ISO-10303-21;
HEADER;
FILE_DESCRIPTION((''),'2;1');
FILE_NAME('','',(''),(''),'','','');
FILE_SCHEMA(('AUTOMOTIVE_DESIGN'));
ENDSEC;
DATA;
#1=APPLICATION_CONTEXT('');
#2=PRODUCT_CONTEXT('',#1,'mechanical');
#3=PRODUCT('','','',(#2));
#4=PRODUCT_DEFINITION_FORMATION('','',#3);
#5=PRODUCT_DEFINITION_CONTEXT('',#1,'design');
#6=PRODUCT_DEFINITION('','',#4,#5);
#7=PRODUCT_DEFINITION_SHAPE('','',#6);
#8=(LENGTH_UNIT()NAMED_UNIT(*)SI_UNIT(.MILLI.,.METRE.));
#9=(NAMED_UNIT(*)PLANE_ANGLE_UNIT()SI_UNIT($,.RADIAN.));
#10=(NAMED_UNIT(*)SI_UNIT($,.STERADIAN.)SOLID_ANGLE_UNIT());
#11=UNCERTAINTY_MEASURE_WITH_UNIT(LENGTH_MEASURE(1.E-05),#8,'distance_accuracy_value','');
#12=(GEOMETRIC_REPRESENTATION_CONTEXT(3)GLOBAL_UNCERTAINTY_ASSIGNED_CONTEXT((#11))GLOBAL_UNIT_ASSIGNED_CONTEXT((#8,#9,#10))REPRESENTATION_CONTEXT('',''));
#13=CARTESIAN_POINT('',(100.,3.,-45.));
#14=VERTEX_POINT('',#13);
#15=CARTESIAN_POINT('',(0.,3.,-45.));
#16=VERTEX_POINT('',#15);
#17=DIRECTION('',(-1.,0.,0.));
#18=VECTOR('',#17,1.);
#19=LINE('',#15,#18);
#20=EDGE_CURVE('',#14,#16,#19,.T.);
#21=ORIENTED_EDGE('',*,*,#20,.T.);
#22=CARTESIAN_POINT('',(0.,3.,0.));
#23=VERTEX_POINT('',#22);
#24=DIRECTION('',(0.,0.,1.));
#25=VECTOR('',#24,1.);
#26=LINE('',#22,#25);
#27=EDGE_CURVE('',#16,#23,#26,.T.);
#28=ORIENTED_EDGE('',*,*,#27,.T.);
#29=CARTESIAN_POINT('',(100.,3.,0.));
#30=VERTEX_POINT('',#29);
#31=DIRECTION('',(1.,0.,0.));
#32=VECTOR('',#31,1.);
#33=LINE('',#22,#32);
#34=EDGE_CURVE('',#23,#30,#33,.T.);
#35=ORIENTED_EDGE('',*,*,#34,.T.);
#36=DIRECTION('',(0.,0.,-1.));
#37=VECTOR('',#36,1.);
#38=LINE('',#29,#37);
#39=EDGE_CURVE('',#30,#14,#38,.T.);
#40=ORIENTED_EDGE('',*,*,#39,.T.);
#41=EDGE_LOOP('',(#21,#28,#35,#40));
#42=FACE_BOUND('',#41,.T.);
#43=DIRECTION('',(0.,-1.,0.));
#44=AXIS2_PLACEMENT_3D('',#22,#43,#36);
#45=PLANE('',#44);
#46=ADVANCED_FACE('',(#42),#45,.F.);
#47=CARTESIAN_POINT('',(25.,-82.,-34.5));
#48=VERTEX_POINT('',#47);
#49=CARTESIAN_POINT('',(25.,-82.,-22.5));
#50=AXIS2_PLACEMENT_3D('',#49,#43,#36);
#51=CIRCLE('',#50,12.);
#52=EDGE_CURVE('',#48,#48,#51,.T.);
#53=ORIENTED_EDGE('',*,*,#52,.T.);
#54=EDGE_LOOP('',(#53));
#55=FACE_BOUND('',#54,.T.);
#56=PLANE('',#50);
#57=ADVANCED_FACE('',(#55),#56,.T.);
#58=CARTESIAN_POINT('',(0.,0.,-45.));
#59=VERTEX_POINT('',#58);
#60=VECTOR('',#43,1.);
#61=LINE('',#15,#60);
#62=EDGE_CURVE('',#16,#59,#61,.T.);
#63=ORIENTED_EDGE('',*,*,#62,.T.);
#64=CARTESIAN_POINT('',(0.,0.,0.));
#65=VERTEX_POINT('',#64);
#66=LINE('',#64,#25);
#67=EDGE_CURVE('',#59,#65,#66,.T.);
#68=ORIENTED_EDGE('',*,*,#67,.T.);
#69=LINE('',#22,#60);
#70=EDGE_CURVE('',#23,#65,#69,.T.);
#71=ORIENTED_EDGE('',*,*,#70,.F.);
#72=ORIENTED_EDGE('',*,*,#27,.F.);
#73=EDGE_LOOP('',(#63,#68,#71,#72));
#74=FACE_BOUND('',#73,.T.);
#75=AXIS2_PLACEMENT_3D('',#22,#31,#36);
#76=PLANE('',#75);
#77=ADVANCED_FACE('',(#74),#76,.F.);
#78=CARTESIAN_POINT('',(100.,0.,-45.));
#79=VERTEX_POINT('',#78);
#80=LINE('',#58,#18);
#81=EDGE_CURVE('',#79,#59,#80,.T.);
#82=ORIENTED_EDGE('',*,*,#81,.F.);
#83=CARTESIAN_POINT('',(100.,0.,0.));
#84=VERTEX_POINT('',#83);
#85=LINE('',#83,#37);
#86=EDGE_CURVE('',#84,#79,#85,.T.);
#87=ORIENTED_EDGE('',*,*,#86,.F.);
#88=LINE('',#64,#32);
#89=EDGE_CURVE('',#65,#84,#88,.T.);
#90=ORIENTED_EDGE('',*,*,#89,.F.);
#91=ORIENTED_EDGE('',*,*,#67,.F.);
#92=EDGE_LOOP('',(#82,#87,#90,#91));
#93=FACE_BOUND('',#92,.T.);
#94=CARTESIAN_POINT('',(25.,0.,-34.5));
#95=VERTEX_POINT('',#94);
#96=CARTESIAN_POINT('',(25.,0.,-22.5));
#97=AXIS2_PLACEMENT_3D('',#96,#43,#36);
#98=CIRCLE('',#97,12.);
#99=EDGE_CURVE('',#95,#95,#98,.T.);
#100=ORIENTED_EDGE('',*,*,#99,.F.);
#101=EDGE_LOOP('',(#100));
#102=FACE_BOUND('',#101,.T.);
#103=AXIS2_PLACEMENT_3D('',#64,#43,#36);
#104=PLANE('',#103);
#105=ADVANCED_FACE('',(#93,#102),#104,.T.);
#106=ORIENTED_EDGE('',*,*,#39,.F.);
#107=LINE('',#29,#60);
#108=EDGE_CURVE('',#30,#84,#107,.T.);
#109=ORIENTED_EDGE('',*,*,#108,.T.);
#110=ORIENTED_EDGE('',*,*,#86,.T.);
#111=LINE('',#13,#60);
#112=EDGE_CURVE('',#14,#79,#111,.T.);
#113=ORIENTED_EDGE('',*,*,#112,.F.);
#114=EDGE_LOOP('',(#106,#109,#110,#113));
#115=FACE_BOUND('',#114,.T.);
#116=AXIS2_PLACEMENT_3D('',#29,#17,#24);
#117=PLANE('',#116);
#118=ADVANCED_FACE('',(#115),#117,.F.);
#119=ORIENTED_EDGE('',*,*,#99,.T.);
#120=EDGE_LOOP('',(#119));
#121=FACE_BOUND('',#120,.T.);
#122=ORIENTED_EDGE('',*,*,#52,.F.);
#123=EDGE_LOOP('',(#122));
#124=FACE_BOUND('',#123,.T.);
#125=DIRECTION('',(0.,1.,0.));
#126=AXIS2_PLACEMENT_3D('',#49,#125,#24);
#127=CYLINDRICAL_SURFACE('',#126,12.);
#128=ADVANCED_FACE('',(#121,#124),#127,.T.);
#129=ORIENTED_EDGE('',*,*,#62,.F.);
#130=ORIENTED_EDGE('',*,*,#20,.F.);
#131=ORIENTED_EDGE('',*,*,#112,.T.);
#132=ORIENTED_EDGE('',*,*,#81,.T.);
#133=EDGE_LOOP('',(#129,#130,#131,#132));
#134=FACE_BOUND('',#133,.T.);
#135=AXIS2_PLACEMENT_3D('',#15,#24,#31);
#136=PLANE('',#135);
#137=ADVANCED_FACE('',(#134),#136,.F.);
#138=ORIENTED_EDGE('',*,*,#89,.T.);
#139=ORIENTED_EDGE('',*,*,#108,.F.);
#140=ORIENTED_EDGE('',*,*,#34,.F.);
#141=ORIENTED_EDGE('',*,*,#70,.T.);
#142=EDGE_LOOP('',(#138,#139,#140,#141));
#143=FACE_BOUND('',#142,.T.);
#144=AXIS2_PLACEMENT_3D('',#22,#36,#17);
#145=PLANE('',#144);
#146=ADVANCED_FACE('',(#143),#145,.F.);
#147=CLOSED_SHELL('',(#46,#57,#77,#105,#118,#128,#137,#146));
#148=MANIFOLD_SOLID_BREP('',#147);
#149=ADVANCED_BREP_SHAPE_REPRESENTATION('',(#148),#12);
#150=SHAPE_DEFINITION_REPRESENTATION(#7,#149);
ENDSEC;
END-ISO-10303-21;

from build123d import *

# Parameters (mm, degrees)
SKETCH_1_W      = 100
SKETCH_1_H      = 45
EXTRUDE_1_DEPTH = 3
SKETCH_2_R      = 12
EXTRUDE_2_DEPTH = 82


with BuildPart() as part:
    # Эскиз1 → Бобышка-Вытянуть1 (new body)
    with BuildSketch(Plane(origin=(0, 0, 0), x_dir=(1, 0, 0), z_dir=(0, 1, 0))):
        with Locations((50, 22.5)):
            Rectangle(SKETCH_1_W, SKETCH_1_H)
    extrude(amount=EXTRUDE_1_DEPTH)

    # Эскиз2 → Бобышка-Вытянуть2 (add)
    with BuildSketch(Plane.XZ):
        with Locations((25, -22.5)):
            Circle(SKETCH_2_R)
    extrude(amount=EXTRUDE_2_DEPTH)


solid = part.part
